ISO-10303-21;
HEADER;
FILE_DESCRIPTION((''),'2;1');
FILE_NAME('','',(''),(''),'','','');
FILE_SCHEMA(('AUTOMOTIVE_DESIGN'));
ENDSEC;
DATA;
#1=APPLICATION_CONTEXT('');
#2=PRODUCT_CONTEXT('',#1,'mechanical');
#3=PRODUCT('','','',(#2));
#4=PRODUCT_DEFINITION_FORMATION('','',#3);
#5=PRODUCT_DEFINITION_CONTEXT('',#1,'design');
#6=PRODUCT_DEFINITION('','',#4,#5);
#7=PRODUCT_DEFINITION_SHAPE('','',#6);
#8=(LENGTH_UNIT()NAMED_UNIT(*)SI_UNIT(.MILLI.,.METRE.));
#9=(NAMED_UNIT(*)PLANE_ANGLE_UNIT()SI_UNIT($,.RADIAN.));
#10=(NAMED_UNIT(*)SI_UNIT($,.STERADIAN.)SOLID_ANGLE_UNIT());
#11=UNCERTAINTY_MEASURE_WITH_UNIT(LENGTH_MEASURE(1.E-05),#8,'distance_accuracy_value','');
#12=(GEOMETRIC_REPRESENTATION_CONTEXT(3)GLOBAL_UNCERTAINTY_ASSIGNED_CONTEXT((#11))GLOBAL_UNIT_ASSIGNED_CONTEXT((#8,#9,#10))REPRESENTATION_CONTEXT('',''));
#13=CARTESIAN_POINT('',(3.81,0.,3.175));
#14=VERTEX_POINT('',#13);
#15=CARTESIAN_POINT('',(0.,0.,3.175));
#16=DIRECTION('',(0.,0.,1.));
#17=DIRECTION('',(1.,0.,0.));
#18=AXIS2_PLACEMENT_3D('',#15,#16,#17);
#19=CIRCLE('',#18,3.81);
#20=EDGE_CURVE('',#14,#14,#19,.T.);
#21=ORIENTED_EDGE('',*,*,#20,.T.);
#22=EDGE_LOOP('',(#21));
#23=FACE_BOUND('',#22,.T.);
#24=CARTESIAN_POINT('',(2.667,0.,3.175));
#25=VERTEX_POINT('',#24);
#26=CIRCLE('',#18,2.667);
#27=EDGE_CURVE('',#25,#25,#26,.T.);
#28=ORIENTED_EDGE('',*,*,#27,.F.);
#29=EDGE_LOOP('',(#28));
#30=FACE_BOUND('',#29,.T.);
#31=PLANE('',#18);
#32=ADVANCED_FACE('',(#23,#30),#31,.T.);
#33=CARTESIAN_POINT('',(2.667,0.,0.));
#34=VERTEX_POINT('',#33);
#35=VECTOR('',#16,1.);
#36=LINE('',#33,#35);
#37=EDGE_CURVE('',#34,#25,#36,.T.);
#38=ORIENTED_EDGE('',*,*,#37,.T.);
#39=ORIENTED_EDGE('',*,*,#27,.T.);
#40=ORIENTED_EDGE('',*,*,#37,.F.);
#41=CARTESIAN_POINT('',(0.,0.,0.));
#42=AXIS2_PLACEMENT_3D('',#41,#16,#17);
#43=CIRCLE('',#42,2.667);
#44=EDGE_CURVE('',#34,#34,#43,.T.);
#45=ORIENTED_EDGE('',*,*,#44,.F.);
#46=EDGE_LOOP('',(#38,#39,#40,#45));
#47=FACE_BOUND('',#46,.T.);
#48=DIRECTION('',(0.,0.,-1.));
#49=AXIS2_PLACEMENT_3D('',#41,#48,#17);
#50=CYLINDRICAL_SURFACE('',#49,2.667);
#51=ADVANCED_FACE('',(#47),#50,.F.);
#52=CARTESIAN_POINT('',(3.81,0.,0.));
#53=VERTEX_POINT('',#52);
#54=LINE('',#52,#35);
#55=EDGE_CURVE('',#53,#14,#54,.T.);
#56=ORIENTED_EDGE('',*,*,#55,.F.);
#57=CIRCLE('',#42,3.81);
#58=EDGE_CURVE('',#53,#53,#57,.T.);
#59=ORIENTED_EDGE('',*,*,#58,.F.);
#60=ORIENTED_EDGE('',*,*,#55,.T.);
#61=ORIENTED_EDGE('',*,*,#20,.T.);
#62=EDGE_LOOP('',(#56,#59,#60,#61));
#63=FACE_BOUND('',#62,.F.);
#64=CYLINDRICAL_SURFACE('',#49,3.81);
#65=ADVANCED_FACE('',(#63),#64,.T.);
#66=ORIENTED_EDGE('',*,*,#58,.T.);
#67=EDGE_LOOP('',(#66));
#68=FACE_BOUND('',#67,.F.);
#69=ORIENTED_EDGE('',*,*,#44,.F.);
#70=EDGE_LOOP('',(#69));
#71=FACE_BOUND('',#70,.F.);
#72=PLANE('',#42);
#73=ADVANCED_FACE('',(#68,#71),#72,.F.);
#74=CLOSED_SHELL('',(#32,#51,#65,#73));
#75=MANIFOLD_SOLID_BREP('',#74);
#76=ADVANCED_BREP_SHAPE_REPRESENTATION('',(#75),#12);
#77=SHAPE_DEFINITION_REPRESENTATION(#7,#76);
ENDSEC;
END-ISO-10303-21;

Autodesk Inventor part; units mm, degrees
ref_plane "YZ Plane" through (0, 0, 0) normal (1, 0, 0) x (0, 1, 0)
ref_plane "XZ Plane" through (0, 0, 0) normal (0, 1, 0) x (-1, 0, 0)
ref_plane "XY Plane" through (0, 0, 0) normal (0, 0, 1) x (1, 0, 0)
sketch "Sketch1" plane through (0, 0, 0) normal (0, 0, 1) x (1, 0, 0)
  circle A0 centre (0, 0) radius 2.667
  circle A1 centre (0, 0) radius 3.81
  dimension "d0" = 5.334
  dimension "d2" = 7.62
extrude "Extrusion1" add sketch "Sketch1" along normal blind 3.175
properties part number "Mount Pin"
